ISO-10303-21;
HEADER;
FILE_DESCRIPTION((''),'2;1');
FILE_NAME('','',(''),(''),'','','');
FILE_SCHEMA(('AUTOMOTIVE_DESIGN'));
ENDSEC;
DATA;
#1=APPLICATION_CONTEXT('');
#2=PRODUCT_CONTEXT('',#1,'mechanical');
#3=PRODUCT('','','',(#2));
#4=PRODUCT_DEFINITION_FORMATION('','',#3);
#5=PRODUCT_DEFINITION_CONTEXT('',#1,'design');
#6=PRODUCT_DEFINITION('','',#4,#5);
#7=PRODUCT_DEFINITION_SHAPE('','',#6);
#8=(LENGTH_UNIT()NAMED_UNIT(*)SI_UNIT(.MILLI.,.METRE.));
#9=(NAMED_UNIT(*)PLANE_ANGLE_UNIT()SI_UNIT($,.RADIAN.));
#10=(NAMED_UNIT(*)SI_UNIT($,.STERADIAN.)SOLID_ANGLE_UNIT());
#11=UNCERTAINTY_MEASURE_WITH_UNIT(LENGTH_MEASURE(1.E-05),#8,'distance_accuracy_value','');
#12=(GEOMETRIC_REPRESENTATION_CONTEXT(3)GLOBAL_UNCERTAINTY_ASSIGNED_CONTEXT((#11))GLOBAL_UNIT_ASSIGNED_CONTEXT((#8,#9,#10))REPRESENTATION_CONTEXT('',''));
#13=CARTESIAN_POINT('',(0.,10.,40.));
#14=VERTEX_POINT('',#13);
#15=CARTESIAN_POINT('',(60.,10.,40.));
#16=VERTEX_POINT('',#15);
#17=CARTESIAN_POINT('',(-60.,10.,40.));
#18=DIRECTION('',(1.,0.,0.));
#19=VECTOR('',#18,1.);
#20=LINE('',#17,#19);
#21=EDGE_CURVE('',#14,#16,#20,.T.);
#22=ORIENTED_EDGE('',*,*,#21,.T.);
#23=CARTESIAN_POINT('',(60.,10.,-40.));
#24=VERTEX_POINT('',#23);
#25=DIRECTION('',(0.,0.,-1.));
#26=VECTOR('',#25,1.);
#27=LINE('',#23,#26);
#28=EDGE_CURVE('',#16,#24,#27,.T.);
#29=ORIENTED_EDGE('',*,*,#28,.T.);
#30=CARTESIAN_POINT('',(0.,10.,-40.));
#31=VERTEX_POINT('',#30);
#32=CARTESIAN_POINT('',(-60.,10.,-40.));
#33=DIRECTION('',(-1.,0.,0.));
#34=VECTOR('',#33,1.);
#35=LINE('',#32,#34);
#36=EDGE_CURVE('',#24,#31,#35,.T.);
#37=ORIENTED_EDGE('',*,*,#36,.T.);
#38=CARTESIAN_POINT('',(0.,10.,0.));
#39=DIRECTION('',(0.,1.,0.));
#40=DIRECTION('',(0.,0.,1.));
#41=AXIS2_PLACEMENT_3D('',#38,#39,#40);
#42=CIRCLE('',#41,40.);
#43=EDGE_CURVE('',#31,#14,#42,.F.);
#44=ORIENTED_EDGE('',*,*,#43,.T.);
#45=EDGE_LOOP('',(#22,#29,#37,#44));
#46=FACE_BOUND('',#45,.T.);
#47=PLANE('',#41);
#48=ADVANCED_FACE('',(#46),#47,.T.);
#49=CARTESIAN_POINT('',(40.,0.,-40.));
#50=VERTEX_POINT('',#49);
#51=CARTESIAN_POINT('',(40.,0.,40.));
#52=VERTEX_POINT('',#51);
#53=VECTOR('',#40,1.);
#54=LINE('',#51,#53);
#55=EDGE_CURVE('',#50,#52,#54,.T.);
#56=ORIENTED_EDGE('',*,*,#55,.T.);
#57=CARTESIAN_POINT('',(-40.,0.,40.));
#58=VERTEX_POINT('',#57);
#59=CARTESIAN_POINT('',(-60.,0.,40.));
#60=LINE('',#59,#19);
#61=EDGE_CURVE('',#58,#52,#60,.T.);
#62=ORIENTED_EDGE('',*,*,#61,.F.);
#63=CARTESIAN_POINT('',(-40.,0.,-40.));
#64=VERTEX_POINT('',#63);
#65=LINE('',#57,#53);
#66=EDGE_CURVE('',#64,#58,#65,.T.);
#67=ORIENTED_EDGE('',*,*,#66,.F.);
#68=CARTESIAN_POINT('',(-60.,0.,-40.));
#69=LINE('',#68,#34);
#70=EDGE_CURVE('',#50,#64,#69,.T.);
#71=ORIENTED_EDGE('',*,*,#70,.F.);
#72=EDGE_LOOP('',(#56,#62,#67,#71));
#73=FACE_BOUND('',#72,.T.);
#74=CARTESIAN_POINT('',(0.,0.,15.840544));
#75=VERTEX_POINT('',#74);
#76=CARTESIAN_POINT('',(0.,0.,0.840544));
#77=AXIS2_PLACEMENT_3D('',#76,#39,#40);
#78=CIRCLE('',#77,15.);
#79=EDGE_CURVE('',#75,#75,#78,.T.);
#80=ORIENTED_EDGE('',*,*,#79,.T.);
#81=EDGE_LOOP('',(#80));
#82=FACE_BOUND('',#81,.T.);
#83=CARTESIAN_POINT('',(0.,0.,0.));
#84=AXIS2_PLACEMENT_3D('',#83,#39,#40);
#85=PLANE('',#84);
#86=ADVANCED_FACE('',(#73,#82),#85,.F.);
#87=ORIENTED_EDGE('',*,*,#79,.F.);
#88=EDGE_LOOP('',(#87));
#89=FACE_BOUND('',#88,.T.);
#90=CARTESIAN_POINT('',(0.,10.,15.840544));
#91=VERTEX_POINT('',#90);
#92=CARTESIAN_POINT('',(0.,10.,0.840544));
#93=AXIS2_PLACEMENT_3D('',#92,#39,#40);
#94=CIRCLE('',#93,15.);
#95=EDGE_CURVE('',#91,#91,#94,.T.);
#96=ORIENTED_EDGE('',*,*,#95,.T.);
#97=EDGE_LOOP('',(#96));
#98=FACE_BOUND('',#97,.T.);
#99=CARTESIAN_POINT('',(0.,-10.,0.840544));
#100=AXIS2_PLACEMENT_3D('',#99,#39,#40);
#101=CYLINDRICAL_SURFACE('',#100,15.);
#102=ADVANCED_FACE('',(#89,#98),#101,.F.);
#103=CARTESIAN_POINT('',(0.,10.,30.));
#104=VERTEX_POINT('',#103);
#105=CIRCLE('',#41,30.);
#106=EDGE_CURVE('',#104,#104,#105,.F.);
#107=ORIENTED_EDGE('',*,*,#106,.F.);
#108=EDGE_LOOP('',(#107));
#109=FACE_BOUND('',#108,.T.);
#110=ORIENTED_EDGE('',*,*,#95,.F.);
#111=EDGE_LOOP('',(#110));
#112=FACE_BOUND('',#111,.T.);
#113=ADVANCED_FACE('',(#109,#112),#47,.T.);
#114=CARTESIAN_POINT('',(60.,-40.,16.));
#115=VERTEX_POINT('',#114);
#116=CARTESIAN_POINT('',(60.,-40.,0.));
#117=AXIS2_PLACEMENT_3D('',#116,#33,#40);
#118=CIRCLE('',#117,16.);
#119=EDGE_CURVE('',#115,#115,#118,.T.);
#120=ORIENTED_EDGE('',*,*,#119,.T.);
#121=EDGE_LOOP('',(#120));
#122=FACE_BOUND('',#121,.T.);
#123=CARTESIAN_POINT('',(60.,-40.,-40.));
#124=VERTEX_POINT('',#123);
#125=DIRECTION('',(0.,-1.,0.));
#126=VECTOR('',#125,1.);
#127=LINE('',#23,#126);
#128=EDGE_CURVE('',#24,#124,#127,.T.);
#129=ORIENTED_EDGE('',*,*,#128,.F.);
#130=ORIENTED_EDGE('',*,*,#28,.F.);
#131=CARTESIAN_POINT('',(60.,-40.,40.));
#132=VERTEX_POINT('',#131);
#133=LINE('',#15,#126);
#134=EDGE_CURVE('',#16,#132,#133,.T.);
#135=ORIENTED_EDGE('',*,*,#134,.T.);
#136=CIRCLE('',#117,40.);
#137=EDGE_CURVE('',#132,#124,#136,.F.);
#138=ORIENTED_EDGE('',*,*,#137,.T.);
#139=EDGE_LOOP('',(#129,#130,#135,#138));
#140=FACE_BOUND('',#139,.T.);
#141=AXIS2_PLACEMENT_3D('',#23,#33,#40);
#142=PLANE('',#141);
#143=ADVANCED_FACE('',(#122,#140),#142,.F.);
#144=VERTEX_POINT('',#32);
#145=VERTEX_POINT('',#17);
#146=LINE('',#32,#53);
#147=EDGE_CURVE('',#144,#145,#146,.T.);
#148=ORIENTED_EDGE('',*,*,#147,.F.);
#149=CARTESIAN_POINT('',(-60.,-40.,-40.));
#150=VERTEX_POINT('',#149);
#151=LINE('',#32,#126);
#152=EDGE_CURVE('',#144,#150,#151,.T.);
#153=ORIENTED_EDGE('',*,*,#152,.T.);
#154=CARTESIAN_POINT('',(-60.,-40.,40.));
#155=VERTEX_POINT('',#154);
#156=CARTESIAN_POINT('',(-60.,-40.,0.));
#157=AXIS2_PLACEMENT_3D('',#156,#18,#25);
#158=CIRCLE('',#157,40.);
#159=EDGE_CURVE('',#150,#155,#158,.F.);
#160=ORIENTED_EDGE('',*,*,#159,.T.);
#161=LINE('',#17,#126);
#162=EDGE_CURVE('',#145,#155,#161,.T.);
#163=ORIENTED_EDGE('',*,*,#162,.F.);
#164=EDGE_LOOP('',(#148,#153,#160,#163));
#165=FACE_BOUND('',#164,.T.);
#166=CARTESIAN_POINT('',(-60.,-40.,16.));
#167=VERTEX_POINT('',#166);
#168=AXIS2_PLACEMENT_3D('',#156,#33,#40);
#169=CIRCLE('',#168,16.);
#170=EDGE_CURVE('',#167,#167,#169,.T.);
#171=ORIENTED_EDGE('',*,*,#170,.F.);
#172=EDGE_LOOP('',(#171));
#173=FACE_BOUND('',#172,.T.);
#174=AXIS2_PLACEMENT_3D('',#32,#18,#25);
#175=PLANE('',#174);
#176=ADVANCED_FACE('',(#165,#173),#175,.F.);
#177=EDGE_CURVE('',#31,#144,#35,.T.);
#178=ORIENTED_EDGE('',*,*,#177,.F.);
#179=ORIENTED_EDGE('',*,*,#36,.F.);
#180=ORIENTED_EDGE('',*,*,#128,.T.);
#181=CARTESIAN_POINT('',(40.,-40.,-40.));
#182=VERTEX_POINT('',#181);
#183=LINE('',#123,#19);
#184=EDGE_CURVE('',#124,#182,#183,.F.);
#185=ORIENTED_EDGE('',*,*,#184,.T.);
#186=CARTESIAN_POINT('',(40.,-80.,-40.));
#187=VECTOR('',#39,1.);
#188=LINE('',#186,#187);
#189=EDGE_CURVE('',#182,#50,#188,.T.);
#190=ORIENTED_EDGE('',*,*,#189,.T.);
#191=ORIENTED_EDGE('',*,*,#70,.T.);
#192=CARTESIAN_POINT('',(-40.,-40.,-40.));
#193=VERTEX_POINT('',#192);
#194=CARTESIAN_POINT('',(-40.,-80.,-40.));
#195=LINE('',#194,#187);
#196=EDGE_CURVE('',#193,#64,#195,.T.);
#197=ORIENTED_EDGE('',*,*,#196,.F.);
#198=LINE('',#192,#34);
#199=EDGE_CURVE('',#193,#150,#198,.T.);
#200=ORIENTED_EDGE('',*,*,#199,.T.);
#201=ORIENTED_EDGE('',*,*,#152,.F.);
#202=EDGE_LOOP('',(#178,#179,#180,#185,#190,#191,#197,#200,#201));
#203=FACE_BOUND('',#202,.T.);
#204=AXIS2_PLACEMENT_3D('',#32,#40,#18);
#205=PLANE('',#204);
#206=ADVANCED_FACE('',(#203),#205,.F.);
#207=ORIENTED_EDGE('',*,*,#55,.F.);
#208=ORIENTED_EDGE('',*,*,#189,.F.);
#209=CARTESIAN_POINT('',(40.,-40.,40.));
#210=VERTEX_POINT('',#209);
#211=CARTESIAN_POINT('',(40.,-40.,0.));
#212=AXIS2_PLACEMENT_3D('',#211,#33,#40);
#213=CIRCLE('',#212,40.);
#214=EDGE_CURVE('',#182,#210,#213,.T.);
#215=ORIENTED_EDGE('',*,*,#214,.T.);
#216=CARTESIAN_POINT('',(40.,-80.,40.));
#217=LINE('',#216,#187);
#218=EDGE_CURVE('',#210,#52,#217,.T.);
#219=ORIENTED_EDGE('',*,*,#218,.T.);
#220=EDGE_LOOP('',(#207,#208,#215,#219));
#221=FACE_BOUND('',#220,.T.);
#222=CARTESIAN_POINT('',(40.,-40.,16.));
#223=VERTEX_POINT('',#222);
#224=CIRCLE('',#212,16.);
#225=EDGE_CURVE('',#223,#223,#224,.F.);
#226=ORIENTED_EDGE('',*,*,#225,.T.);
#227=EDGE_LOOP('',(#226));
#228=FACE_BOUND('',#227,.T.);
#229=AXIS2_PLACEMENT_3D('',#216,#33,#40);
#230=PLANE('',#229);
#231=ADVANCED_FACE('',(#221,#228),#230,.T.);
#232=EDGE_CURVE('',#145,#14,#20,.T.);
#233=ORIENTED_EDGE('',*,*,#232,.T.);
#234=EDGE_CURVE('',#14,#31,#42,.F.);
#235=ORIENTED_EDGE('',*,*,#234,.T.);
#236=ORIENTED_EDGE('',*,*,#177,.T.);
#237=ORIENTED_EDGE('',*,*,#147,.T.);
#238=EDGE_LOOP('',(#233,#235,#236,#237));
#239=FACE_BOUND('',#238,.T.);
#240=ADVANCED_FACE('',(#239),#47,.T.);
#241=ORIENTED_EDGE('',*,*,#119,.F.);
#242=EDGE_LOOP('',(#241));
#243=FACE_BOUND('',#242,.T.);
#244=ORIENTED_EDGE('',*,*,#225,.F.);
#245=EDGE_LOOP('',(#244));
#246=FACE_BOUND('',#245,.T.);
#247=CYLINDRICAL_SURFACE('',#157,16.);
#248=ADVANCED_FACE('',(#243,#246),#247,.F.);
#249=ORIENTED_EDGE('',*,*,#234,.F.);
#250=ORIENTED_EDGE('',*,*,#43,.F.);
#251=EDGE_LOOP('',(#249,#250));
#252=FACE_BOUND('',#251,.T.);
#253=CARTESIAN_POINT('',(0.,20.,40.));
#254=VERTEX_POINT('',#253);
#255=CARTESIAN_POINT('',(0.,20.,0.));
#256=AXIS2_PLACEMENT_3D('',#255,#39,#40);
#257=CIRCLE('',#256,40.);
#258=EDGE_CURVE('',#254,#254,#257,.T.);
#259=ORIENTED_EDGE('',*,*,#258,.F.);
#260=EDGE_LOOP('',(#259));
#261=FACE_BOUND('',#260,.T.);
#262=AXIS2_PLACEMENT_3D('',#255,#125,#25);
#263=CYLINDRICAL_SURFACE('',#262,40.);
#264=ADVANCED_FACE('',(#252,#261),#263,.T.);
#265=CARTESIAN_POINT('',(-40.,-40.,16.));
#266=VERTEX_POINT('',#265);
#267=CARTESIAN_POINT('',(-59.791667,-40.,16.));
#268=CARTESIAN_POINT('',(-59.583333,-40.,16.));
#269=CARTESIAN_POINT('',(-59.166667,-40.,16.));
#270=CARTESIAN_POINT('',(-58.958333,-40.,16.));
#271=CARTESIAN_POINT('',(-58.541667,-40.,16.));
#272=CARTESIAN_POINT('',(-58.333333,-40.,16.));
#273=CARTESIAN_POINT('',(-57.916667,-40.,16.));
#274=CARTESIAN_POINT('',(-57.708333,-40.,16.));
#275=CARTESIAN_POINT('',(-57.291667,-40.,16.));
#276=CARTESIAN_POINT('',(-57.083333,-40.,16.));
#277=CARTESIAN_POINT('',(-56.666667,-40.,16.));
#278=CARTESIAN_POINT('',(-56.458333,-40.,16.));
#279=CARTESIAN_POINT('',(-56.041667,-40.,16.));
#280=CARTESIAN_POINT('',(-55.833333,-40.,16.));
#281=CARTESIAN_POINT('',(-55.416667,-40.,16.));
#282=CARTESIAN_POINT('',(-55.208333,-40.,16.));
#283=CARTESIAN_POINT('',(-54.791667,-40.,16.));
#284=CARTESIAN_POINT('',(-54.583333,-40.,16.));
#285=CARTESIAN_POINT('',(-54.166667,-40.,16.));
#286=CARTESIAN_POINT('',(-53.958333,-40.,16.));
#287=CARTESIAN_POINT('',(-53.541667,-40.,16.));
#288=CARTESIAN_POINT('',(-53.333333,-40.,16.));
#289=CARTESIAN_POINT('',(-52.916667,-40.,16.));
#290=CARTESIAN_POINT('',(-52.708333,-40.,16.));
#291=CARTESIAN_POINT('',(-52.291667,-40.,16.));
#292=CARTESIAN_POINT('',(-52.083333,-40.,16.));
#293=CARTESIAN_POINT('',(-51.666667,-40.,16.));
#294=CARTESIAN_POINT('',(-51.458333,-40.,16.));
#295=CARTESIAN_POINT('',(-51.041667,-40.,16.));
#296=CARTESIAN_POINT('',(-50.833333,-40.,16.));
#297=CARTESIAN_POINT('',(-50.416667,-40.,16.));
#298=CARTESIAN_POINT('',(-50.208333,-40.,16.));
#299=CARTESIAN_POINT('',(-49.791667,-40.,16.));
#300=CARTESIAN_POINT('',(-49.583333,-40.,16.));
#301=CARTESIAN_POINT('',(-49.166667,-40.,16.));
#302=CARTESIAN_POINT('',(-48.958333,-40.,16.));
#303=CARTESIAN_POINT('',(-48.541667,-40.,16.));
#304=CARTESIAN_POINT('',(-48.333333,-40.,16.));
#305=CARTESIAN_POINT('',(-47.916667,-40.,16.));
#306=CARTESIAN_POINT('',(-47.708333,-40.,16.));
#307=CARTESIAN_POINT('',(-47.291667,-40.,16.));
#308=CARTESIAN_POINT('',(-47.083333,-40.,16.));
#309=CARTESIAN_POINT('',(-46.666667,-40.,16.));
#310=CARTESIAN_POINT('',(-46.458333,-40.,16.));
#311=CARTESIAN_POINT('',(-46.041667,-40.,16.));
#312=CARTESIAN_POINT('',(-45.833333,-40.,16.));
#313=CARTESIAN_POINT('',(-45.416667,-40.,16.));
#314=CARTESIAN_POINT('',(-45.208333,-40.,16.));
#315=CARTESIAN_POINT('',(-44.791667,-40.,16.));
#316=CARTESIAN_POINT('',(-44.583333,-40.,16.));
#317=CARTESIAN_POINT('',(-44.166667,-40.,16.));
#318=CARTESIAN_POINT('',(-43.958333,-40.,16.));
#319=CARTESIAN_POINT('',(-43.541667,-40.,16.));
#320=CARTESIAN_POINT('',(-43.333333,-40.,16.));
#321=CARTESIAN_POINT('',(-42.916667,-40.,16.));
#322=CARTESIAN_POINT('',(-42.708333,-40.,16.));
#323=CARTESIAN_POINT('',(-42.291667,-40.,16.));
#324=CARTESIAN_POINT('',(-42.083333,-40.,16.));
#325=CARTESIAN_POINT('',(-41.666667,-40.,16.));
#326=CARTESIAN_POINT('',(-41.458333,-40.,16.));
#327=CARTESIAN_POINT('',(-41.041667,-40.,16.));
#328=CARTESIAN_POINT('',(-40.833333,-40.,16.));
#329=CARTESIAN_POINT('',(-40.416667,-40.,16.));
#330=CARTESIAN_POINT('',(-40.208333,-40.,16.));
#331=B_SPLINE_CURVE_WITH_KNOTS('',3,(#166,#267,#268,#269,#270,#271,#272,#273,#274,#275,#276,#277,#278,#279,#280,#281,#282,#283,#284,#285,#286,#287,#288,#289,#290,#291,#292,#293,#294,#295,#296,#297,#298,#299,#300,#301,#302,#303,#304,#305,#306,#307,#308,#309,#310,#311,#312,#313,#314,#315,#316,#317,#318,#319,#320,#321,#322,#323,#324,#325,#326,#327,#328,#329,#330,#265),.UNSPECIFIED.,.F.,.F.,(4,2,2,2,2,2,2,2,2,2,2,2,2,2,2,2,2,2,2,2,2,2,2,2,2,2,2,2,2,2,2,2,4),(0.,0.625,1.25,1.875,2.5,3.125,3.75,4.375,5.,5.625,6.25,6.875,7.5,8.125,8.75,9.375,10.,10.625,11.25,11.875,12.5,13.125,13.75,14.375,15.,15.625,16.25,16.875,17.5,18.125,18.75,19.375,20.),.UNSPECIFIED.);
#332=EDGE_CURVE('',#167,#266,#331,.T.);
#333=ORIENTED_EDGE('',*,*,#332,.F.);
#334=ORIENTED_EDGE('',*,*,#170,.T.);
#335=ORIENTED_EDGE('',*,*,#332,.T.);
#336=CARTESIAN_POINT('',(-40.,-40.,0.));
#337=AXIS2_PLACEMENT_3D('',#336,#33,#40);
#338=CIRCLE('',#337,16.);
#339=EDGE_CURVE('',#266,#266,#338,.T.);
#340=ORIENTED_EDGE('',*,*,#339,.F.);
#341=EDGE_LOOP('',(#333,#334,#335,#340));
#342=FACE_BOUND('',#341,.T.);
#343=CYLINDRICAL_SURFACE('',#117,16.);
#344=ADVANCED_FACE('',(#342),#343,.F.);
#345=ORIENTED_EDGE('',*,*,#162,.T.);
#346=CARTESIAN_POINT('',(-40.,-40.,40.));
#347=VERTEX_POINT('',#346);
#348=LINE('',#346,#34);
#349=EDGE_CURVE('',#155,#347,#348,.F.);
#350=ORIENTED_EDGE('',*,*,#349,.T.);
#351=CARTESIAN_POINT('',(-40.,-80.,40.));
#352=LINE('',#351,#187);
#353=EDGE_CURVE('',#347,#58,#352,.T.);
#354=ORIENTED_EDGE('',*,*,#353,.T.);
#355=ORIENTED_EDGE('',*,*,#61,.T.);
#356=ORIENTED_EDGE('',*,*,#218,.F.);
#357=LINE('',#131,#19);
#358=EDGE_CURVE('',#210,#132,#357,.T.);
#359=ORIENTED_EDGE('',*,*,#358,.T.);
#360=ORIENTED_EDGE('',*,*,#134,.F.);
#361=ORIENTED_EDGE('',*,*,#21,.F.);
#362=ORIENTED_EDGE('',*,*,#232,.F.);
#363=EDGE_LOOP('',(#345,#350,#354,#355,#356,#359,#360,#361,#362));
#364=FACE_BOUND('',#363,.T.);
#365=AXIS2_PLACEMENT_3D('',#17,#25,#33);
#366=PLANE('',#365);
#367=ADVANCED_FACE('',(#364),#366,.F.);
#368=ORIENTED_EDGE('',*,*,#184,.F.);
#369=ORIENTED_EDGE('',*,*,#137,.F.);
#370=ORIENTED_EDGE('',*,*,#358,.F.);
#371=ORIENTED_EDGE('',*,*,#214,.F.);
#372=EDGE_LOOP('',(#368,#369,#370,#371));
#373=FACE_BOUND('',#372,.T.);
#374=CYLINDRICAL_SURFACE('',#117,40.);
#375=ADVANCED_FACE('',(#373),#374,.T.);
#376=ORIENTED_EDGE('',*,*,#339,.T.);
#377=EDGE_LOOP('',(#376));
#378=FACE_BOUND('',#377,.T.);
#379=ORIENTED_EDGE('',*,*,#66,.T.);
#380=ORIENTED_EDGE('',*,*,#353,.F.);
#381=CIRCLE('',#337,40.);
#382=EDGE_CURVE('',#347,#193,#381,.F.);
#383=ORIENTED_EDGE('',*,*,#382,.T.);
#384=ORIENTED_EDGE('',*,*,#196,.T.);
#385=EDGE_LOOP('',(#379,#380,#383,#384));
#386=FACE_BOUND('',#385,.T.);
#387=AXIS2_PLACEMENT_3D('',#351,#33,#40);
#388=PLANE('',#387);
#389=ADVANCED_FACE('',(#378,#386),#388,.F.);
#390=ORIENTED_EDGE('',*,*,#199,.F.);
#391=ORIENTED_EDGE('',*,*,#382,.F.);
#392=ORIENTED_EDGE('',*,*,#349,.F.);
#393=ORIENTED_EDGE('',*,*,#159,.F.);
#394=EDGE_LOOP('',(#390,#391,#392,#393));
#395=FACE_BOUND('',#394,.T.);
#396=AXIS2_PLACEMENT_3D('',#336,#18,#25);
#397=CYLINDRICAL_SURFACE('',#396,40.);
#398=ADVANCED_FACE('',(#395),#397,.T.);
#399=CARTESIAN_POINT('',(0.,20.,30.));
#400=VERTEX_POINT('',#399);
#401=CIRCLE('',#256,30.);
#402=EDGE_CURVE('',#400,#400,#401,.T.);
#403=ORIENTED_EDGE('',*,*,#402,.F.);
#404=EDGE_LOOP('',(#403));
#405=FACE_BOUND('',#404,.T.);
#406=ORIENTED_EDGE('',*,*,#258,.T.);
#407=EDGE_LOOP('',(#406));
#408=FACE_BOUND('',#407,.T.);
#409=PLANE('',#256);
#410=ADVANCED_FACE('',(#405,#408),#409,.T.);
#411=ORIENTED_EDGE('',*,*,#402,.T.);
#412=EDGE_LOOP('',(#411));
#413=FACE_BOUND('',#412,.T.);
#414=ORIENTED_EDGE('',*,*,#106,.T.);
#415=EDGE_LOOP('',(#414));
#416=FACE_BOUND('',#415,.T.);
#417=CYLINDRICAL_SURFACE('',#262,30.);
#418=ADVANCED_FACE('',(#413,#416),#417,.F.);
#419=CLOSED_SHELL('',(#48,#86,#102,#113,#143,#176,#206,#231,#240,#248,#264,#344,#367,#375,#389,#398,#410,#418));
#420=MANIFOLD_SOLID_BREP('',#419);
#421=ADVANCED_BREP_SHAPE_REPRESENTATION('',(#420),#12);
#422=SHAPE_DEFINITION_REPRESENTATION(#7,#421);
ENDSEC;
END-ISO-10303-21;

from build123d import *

# Parameters (mm, degrees)
SKETCH1_W                   = 120
SKETCH1_H                   = 80
BOSS_EXTRUDE1_DEPTH         = 10
SKETCH2_R                   = 40
SKETCH2_R_2                 = 30
BOSS_EXTRUDE2_DEPTH         = 20
SKETCH3_R                   = 15
CUT_EXTRUDE1_DEPTH          = 20
SKETCH4_W                   = 20
SKETCH4_H                   = 80
BOSS_EXTRUDE3_DEPTH         = 80
FILLET1_RADIUS              = 40
FILLET1_LENGTH              = 20
SKETCH5_R                   = 16
CUT_EXTRUDE3_DEPTH          = 150.666295471
FILLET1_OF_MIRROR5_2_RADIUS = 40
FILLET1_OF_MIRROR5_2_LENGTH = 20


with BuildPart() as part:
    # Sketch1 → Boss-Extrude1 (new body)
    with BuildSketch(Plane(origin=(0, 0, 0), x_dir=(1, 0, 0), z_dir=(0, 1, 0))):
        Rectangle(SKETCH1_W, SKETCH1_H)
    extrude(amount=BOSS_EXTRUDE1_DEPTH)

    # Sketch2 → Boss-Extrude2 (add)
    with BuildSketch(Plane(origin=(0, 0, 0), x_dir=(1, 0, 0), z_dir=(0, 1, 0))):
        with Locations(Location((0, 0, 0), (0, 0, 270))):
            Circle(SKETCH2_R)
        with Locations(Location((0, 0, 0), (0, 0, 270))):
            Circle(SKETCH2_R_2, mode=Mode.SUBTRACT)
    extrude(amount=BOSS_EXTRUDE2_DEPTH)

    # Sketch3 → Cut-Extrude1 (cut)
    with BuildSketch(Plane(origin=(0, 10, 0), x_dir=(1, 0, 0), z_dir=(0, 1, 0))):
        with Locations(Location((0, -0.840544131, 0), (0, 0, 270))):
            Circle(SKETCH3_R)
    extrude(amount=-CUT_EXTRUDE1_DEPTH, mode=Mode.SUBTRACT)

    # Sketch4 → Boss-Extrude3 (add)
    with BuildSketch(Plane.XZ):
        with Locations((-50, 0)):
            Rectangle(SKETCH4_W, SKETCH4_H)
    boss_extrude3 = extrude(amount=BOSS_EXTRUDE3_DEPTH)

    # Fillet1: full round fillet: the end face becomes a half cylinder, R = half its width
    fillet1_face = Plane((-50, -80, 0), x_dir=(1, 0, 0), z_dir=(0, -1, 0))  # on the end face: x along it, z out of the body
    fillet1_slab = fillet1_face.offset(-FILLET1_RADIUS / 2) * Box(FILLET1_LENGTH, 2 * FILLET1_RADIUS, FILLET1_RADIUS, mode=Mode.PRIVATE)  # the body's end, R deep
    fillet1_round = Plane((-50, -40, 0), x_dir=(0, -1, 0), z_dir=(1, 0, 0)) * Cylinder(FILLET1_RADIUS, FILLET1_LENGTH, mode=Mode.PRIVATE)  # its axis R under the face
    add(fillet1_slab - fillet1_round, mode=Mode.SUBTRACT)

    # Sketch5 → Cut-Extrude3 (cut, through all)
    with BuildSketch(Plane.ZY.offset(60)):
        with Locations((0, -40)):
            Circle(SKETCH5_R)
    cut_extrude3 = extrude(amount=-CUT_EXTRUDE3_DEPTH, mode=Mode.SUBTRACT)

    # Mirror5: Boss-Extrude3 across plane
    add(boss_extrude3.mirror(Plane(origin=(0, 0, 0), x_dir=(0, 0, 1), z_dir=(1, 0, 0))))

    # Fillet1 of Mirror5 2: full round fillet: the end face becomes a half cylinder, R = half its width
    fillet1_of_mirror5_2_face = Plane((50, -80, 0), x_dir=(-1, 0, 0), z_dir=(0, -1, 0))  # on the end face: x along it, z out of the body
    fillet1_of_mirror5_2_slab = fillet1_of_mirror5_2_face.offset(-FILLET1_OF_MIRROR5_2_RADIUS / 2) * Box(FILLET1_OF_MIRROR5_2_LENGTH, 2 * FILLET1_OF_MIRROR5_2_RADIUS, FILLET1_OF_MIRROR5_2_RADIUS, mode=Mode.PRIVATE)  # the body's end, R deep
    fillet1_of_mirror5_2_round = Plane((50, -40, 0), x_dir=(0, -1, 0), z_dir=(-1, 0, 0)) * Cylinder(FILLET1_OF_MIRROR5_2_RADIUS, FILLET1_OF_MIRROR5_2_LENGTH, mode=Mode.PRIVATE)  # its axis R under the face
    add(fillet1_of_mirror5_2_slab - fillet1_of_mirror5_2_round, mode=Mode.SUBTRACT)

    # Mirror6: Cut-Extrude3 across plane
    add(cut_extrude3.mirror(Plane(origin=(0, 0, 0), x_dir=(0, 0, 1), z_dir=(1, 0, 0))), mode=Mode.SUBTRACT)


solid = part.part
